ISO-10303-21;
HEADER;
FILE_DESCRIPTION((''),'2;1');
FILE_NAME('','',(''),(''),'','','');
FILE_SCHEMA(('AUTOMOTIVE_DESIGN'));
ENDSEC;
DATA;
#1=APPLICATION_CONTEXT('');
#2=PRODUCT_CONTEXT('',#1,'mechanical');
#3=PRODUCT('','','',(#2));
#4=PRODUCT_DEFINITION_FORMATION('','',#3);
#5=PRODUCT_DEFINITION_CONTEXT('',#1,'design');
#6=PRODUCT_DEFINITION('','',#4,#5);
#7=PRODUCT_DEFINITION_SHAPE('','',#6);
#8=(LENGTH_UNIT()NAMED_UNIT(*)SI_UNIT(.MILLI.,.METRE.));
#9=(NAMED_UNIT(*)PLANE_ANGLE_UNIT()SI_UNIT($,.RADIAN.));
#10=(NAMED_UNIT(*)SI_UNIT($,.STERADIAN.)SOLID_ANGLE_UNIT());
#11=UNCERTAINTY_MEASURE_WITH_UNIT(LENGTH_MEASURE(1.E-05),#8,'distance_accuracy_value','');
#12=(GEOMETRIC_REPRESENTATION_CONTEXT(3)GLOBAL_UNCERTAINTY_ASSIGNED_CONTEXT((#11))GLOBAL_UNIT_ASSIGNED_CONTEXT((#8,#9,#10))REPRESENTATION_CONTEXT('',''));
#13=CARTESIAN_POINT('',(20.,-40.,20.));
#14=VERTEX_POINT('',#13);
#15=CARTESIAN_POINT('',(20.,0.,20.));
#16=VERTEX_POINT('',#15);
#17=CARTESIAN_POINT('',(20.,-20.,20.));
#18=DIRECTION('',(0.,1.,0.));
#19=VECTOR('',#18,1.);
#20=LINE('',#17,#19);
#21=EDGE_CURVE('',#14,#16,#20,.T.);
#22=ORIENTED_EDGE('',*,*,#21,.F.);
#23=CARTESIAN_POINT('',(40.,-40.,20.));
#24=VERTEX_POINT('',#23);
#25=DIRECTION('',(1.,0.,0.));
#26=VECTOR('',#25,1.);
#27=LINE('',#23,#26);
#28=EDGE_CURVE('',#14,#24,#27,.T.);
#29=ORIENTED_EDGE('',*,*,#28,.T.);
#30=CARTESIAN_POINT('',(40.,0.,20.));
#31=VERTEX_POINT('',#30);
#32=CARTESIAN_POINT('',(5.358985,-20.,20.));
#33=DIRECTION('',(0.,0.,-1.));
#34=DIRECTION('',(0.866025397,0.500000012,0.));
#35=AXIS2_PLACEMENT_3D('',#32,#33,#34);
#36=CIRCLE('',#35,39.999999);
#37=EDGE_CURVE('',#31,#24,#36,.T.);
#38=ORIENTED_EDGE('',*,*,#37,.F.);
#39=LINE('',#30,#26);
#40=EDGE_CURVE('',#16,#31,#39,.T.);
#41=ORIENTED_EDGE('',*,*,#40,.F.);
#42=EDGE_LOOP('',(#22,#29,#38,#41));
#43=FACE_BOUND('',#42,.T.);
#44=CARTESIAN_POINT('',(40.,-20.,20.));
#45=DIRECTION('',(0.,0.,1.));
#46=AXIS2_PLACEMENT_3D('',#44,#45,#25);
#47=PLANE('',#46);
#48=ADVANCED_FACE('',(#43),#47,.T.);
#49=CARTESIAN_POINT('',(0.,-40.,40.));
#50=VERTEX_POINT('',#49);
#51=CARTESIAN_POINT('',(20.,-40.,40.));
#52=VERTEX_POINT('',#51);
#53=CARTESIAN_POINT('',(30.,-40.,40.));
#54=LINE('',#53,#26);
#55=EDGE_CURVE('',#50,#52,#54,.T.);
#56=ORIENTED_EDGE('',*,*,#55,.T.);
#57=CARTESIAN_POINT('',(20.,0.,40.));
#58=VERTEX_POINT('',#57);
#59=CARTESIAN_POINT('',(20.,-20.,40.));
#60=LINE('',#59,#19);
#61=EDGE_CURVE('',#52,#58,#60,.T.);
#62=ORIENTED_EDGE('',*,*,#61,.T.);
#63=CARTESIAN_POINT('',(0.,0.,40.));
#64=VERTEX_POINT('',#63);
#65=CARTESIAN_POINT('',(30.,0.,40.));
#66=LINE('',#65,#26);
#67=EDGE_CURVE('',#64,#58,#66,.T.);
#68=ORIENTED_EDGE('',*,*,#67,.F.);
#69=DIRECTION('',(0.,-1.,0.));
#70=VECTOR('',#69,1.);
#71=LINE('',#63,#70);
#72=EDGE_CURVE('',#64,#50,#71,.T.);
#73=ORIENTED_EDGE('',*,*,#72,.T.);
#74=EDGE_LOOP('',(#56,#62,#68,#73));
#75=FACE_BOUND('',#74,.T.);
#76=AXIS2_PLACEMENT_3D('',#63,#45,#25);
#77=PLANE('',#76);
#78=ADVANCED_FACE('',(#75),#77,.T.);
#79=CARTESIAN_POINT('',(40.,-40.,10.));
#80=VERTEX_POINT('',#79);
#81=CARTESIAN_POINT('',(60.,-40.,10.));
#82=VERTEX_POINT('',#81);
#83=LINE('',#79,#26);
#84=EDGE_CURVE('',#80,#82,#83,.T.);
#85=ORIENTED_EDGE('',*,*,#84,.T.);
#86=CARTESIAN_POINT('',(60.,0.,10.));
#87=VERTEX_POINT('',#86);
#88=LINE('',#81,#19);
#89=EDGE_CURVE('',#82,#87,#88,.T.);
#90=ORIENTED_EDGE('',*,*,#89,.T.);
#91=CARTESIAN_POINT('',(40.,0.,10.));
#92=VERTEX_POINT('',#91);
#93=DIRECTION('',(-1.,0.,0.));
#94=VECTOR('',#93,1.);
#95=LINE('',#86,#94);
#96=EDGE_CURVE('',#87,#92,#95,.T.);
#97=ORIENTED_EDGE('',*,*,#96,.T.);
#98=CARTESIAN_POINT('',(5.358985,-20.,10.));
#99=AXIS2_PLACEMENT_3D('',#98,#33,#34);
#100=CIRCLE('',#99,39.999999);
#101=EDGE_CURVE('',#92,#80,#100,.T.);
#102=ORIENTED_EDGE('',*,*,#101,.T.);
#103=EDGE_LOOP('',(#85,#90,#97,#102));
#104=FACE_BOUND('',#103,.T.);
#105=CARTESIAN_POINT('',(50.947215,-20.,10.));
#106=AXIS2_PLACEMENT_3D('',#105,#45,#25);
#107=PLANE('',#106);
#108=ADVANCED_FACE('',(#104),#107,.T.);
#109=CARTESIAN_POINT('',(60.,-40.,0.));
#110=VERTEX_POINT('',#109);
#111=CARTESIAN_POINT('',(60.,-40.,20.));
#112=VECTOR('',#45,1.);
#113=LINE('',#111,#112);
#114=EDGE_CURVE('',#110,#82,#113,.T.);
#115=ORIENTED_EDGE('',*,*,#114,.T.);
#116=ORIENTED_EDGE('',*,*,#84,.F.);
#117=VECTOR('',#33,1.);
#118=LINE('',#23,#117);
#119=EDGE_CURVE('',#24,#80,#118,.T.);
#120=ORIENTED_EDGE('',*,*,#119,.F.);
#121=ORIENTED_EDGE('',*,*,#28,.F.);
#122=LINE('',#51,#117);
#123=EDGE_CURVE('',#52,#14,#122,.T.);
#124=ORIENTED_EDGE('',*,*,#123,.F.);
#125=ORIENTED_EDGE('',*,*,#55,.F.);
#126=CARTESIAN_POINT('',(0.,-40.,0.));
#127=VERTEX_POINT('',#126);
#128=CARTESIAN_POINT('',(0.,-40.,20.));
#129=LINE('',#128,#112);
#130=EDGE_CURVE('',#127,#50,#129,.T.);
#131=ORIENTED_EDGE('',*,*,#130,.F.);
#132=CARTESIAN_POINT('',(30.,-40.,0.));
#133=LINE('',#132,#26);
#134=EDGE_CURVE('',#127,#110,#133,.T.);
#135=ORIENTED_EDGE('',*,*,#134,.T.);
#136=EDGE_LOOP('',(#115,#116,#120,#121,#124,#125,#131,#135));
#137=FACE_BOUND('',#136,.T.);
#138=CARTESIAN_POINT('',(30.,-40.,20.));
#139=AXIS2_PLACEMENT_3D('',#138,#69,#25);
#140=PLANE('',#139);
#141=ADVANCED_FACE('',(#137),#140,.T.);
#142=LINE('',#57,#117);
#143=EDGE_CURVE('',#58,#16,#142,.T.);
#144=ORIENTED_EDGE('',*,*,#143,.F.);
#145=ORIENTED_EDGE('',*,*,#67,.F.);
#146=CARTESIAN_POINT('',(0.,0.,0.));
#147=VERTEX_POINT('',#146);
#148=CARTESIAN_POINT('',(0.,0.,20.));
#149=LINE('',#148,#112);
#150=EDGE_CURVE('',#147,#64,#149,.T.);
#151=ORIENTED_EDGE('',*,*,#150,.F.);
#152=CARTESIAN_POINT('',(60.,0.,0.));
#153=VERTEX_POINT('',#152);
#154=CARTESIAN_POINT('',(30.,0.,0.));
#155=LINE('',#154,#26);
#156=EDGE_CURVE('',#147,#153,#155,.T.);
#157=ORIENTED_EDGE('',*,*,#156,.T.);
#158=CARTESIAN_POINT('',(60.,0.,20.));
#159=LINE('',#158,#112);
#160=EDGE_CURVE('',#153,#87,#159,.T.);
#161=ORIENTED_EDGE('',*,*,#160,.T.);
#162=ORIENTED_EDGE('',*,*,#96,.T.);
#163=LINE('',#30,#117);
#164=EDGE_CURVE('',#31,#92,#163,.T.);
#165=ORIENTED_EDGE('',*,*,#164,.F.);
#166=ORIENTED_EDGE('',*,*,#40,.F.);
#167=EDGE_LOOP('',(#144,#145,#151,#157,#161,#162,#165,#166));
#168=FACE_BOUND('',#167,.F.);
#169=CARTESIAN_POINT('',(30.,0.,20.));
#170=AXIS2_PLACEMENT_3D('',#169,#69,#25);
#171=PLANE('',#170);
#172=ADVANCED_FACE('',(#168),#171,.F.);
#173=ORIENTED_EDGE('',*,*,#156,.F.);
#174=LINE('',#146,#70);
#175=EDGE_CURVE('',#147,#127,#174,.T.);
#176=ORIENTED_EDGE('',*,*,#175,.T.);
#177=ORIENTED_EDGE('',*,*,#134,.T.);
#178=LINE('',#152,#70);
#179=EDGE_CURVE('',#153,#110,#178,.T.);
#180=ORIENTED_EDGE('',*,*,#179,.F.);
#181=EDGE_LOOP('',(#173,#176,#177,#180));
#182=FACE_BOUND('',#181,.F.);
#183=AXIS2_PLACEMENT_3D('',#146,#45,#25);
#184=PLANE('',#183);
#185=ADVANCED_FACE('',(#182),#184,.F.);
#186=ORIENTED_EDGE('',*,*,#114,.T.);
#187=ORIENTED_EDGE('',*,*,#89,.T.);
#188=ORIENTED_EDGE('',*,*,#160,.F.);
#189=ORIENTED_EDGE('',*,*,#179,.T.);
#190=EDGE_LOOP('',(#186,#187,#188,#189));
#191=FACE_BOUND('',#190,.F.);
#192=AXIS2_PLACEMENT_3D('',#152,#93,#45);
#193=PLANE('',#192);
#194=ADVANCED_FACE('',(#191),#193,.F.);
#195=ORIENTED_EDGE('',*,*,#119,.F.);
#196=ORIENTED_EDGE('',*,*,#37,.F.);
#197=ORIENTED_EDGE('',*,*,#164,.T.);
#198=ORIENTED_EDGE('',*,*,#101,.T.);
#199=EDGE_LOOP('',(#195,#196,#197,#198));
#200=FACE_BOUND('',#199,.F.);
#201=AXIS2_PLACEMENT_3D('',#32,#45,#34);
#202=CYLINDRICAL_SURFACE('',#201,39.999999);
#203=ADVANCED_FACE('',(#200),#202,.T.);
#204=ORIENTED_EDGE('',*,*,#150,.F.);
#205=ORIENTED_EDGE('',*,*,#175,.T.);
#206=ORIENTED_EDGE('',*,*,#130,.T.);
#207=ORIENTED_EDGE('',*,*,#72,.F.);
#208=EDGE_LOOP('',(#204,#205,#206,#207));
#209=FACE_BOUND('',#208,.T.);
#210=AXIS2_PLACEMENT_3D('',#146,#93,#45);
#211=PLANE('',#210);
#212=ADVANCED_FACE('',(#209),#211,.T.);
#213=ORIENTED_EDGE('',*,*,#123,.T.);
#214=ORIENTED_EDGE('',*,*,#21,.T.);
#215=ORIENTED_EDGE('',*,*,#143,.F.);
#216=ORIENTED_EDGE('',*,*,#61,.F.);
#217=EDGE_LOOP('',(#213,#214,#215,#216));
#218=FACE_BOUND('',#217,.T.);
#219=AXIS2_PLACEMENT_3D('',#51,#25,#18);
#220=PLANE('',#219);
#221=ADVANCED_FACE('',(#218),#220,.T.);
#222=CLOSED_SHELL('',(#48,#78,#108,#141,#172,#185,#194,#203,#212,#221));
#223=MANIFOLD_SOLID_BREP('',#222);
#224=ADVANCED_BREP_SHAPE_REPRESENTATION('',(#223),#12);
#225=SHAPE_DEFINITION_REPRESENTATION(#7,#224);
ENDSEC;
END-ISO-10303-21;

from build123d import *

# Parameters (mm, degrees)
F0_W     = 60
F0_H     = 40
F1_DEPTH = 40
F2_W     = 40
F2_H     = 40
F3_DEPTH = 20
F5_DEPTH = 10


with BuildPart() as f1:
    # F0 (on Front) → F1 (new body)
    with BuildSketch(Plane.XZ):
        with Locations((30, 20)):
            Rectangle(F0_W, F0_H)
    extrude(amount=F1_DEPTH)

    # F2 (on face) → F3 (cut)
    with BuildSketch(Plane.XY.offset(40)):
        with Locations((40, -20)):
            Rectangle(F2_W, F2_H)
    extrude(amount=-F3_DEPTH, mode=Mode.SUBTRACT)

    # F4 (on face) → F5 (cut)
    with BuildSketch(Plane.XY.offset(20)):
        with BuildLine():
            Line((60, 0), (40, 0))
            ThreePointArc((40, 0), (45.358984, -20), (40, -40))
            Line((40, -40), (60, -40))
            Line((60, -40), (60, 0))
        make_face()
    extrude(amount=-F5_DEPTH, mode=Mode.SUBTRACT)


solid = f1.part
